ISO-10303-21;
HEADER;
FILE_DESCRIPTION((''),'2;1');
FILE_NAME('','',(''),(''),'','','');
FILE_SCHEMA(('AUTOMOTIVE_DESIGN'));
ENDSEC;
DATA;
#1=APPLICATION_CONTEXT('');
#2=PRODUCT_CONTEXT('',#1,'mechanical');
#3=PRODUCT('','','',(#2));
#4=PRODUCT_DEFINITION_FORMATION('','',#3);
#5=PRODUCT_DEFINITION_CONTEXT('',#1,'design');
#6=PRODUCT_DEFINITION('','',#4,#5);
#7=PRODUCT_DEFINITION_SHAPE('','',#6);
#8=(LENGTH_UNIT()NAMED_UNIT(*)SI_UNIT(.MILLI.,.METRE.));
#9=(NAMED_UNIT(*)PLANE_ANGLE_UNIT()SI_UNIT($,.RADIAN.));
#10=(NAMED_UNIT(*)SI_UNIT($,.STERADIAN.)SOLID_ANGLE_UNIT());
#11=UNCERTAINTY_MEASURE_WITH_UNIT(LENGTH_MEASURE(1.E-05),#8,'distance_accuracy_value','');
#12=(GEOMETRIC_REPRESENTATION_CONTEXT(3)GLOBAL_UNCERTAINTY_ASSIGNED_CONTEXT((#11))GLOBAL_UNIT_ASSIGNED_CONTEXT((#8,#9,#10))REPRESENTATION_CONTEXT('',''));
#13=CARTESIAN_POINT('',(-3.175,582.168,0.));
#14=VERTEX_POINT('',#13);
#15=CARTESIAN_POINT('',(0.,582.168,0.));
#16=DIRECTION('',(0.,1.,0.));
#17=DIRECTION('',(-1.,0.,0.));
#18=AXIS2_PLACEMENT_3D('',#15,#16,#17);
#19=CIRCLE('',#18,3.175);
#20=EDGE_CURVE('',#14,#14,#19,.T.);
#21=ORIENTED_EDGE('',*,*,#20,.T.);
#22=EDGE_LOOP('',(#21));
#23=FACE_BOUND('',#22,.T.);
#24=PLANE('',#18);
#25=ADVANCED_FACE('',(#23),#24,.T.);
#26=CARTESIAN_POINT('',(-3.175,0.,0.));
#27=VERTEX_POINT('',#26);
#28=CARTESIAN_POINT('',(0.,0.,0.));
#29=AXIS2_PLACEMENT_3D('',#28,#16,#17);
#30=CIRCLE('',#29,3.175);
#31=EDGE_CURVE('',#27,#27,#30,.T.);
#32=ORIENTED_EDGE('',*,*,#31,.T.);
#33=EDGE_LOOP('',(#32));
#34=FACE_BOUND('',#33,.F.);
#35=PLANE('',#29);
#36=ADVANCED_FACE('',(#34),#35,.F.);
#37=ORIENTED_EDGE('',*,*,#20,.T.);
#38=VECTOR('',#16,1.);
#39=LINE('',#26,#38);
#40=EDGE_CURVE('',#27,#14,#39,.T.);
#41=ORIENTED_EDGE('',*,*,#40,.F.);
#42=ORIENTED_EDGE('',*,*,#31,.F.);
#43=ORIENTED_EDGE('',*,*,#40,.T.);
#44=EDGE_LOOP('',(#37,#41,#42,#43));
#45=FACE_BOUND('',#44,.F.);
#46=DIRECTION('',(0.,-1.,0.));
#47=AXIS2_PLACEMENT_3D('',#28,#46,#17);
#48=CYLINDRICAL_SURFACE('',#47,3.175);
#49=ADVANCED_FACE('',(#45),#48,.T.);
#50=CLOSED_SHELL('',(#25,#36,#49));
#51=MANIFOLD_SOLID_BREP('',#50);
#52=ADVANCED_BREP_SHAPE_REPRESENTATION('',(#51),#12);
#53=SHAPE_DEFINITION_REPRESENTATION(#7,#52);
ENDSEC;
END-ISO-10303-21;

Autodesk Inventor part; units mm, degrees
ref_plane "YZ Plane" through (0, 0, 0) normal (1, 0, 0) x (0, 1, 0)
ref_plane "XZ Plane" through (0, 0, 0) normal (0, 1, 0) x (-1, 0, 0)
ref_plane "XY Plane" through (0, 0, 0) normal (0, 0, 1) x (1, 0, 0)
sketch "Sketch1" plane through (0, 0, 0) normal (0, 1, 0) x (-1, 0, 0)
  circle A0 centre (0, 0) radius 3.175
  dimension "d0" = 6.35
extrude "Extrusion1" add sketch "Sketch1" along normal blind 582.168
properties part number "blockrod"
